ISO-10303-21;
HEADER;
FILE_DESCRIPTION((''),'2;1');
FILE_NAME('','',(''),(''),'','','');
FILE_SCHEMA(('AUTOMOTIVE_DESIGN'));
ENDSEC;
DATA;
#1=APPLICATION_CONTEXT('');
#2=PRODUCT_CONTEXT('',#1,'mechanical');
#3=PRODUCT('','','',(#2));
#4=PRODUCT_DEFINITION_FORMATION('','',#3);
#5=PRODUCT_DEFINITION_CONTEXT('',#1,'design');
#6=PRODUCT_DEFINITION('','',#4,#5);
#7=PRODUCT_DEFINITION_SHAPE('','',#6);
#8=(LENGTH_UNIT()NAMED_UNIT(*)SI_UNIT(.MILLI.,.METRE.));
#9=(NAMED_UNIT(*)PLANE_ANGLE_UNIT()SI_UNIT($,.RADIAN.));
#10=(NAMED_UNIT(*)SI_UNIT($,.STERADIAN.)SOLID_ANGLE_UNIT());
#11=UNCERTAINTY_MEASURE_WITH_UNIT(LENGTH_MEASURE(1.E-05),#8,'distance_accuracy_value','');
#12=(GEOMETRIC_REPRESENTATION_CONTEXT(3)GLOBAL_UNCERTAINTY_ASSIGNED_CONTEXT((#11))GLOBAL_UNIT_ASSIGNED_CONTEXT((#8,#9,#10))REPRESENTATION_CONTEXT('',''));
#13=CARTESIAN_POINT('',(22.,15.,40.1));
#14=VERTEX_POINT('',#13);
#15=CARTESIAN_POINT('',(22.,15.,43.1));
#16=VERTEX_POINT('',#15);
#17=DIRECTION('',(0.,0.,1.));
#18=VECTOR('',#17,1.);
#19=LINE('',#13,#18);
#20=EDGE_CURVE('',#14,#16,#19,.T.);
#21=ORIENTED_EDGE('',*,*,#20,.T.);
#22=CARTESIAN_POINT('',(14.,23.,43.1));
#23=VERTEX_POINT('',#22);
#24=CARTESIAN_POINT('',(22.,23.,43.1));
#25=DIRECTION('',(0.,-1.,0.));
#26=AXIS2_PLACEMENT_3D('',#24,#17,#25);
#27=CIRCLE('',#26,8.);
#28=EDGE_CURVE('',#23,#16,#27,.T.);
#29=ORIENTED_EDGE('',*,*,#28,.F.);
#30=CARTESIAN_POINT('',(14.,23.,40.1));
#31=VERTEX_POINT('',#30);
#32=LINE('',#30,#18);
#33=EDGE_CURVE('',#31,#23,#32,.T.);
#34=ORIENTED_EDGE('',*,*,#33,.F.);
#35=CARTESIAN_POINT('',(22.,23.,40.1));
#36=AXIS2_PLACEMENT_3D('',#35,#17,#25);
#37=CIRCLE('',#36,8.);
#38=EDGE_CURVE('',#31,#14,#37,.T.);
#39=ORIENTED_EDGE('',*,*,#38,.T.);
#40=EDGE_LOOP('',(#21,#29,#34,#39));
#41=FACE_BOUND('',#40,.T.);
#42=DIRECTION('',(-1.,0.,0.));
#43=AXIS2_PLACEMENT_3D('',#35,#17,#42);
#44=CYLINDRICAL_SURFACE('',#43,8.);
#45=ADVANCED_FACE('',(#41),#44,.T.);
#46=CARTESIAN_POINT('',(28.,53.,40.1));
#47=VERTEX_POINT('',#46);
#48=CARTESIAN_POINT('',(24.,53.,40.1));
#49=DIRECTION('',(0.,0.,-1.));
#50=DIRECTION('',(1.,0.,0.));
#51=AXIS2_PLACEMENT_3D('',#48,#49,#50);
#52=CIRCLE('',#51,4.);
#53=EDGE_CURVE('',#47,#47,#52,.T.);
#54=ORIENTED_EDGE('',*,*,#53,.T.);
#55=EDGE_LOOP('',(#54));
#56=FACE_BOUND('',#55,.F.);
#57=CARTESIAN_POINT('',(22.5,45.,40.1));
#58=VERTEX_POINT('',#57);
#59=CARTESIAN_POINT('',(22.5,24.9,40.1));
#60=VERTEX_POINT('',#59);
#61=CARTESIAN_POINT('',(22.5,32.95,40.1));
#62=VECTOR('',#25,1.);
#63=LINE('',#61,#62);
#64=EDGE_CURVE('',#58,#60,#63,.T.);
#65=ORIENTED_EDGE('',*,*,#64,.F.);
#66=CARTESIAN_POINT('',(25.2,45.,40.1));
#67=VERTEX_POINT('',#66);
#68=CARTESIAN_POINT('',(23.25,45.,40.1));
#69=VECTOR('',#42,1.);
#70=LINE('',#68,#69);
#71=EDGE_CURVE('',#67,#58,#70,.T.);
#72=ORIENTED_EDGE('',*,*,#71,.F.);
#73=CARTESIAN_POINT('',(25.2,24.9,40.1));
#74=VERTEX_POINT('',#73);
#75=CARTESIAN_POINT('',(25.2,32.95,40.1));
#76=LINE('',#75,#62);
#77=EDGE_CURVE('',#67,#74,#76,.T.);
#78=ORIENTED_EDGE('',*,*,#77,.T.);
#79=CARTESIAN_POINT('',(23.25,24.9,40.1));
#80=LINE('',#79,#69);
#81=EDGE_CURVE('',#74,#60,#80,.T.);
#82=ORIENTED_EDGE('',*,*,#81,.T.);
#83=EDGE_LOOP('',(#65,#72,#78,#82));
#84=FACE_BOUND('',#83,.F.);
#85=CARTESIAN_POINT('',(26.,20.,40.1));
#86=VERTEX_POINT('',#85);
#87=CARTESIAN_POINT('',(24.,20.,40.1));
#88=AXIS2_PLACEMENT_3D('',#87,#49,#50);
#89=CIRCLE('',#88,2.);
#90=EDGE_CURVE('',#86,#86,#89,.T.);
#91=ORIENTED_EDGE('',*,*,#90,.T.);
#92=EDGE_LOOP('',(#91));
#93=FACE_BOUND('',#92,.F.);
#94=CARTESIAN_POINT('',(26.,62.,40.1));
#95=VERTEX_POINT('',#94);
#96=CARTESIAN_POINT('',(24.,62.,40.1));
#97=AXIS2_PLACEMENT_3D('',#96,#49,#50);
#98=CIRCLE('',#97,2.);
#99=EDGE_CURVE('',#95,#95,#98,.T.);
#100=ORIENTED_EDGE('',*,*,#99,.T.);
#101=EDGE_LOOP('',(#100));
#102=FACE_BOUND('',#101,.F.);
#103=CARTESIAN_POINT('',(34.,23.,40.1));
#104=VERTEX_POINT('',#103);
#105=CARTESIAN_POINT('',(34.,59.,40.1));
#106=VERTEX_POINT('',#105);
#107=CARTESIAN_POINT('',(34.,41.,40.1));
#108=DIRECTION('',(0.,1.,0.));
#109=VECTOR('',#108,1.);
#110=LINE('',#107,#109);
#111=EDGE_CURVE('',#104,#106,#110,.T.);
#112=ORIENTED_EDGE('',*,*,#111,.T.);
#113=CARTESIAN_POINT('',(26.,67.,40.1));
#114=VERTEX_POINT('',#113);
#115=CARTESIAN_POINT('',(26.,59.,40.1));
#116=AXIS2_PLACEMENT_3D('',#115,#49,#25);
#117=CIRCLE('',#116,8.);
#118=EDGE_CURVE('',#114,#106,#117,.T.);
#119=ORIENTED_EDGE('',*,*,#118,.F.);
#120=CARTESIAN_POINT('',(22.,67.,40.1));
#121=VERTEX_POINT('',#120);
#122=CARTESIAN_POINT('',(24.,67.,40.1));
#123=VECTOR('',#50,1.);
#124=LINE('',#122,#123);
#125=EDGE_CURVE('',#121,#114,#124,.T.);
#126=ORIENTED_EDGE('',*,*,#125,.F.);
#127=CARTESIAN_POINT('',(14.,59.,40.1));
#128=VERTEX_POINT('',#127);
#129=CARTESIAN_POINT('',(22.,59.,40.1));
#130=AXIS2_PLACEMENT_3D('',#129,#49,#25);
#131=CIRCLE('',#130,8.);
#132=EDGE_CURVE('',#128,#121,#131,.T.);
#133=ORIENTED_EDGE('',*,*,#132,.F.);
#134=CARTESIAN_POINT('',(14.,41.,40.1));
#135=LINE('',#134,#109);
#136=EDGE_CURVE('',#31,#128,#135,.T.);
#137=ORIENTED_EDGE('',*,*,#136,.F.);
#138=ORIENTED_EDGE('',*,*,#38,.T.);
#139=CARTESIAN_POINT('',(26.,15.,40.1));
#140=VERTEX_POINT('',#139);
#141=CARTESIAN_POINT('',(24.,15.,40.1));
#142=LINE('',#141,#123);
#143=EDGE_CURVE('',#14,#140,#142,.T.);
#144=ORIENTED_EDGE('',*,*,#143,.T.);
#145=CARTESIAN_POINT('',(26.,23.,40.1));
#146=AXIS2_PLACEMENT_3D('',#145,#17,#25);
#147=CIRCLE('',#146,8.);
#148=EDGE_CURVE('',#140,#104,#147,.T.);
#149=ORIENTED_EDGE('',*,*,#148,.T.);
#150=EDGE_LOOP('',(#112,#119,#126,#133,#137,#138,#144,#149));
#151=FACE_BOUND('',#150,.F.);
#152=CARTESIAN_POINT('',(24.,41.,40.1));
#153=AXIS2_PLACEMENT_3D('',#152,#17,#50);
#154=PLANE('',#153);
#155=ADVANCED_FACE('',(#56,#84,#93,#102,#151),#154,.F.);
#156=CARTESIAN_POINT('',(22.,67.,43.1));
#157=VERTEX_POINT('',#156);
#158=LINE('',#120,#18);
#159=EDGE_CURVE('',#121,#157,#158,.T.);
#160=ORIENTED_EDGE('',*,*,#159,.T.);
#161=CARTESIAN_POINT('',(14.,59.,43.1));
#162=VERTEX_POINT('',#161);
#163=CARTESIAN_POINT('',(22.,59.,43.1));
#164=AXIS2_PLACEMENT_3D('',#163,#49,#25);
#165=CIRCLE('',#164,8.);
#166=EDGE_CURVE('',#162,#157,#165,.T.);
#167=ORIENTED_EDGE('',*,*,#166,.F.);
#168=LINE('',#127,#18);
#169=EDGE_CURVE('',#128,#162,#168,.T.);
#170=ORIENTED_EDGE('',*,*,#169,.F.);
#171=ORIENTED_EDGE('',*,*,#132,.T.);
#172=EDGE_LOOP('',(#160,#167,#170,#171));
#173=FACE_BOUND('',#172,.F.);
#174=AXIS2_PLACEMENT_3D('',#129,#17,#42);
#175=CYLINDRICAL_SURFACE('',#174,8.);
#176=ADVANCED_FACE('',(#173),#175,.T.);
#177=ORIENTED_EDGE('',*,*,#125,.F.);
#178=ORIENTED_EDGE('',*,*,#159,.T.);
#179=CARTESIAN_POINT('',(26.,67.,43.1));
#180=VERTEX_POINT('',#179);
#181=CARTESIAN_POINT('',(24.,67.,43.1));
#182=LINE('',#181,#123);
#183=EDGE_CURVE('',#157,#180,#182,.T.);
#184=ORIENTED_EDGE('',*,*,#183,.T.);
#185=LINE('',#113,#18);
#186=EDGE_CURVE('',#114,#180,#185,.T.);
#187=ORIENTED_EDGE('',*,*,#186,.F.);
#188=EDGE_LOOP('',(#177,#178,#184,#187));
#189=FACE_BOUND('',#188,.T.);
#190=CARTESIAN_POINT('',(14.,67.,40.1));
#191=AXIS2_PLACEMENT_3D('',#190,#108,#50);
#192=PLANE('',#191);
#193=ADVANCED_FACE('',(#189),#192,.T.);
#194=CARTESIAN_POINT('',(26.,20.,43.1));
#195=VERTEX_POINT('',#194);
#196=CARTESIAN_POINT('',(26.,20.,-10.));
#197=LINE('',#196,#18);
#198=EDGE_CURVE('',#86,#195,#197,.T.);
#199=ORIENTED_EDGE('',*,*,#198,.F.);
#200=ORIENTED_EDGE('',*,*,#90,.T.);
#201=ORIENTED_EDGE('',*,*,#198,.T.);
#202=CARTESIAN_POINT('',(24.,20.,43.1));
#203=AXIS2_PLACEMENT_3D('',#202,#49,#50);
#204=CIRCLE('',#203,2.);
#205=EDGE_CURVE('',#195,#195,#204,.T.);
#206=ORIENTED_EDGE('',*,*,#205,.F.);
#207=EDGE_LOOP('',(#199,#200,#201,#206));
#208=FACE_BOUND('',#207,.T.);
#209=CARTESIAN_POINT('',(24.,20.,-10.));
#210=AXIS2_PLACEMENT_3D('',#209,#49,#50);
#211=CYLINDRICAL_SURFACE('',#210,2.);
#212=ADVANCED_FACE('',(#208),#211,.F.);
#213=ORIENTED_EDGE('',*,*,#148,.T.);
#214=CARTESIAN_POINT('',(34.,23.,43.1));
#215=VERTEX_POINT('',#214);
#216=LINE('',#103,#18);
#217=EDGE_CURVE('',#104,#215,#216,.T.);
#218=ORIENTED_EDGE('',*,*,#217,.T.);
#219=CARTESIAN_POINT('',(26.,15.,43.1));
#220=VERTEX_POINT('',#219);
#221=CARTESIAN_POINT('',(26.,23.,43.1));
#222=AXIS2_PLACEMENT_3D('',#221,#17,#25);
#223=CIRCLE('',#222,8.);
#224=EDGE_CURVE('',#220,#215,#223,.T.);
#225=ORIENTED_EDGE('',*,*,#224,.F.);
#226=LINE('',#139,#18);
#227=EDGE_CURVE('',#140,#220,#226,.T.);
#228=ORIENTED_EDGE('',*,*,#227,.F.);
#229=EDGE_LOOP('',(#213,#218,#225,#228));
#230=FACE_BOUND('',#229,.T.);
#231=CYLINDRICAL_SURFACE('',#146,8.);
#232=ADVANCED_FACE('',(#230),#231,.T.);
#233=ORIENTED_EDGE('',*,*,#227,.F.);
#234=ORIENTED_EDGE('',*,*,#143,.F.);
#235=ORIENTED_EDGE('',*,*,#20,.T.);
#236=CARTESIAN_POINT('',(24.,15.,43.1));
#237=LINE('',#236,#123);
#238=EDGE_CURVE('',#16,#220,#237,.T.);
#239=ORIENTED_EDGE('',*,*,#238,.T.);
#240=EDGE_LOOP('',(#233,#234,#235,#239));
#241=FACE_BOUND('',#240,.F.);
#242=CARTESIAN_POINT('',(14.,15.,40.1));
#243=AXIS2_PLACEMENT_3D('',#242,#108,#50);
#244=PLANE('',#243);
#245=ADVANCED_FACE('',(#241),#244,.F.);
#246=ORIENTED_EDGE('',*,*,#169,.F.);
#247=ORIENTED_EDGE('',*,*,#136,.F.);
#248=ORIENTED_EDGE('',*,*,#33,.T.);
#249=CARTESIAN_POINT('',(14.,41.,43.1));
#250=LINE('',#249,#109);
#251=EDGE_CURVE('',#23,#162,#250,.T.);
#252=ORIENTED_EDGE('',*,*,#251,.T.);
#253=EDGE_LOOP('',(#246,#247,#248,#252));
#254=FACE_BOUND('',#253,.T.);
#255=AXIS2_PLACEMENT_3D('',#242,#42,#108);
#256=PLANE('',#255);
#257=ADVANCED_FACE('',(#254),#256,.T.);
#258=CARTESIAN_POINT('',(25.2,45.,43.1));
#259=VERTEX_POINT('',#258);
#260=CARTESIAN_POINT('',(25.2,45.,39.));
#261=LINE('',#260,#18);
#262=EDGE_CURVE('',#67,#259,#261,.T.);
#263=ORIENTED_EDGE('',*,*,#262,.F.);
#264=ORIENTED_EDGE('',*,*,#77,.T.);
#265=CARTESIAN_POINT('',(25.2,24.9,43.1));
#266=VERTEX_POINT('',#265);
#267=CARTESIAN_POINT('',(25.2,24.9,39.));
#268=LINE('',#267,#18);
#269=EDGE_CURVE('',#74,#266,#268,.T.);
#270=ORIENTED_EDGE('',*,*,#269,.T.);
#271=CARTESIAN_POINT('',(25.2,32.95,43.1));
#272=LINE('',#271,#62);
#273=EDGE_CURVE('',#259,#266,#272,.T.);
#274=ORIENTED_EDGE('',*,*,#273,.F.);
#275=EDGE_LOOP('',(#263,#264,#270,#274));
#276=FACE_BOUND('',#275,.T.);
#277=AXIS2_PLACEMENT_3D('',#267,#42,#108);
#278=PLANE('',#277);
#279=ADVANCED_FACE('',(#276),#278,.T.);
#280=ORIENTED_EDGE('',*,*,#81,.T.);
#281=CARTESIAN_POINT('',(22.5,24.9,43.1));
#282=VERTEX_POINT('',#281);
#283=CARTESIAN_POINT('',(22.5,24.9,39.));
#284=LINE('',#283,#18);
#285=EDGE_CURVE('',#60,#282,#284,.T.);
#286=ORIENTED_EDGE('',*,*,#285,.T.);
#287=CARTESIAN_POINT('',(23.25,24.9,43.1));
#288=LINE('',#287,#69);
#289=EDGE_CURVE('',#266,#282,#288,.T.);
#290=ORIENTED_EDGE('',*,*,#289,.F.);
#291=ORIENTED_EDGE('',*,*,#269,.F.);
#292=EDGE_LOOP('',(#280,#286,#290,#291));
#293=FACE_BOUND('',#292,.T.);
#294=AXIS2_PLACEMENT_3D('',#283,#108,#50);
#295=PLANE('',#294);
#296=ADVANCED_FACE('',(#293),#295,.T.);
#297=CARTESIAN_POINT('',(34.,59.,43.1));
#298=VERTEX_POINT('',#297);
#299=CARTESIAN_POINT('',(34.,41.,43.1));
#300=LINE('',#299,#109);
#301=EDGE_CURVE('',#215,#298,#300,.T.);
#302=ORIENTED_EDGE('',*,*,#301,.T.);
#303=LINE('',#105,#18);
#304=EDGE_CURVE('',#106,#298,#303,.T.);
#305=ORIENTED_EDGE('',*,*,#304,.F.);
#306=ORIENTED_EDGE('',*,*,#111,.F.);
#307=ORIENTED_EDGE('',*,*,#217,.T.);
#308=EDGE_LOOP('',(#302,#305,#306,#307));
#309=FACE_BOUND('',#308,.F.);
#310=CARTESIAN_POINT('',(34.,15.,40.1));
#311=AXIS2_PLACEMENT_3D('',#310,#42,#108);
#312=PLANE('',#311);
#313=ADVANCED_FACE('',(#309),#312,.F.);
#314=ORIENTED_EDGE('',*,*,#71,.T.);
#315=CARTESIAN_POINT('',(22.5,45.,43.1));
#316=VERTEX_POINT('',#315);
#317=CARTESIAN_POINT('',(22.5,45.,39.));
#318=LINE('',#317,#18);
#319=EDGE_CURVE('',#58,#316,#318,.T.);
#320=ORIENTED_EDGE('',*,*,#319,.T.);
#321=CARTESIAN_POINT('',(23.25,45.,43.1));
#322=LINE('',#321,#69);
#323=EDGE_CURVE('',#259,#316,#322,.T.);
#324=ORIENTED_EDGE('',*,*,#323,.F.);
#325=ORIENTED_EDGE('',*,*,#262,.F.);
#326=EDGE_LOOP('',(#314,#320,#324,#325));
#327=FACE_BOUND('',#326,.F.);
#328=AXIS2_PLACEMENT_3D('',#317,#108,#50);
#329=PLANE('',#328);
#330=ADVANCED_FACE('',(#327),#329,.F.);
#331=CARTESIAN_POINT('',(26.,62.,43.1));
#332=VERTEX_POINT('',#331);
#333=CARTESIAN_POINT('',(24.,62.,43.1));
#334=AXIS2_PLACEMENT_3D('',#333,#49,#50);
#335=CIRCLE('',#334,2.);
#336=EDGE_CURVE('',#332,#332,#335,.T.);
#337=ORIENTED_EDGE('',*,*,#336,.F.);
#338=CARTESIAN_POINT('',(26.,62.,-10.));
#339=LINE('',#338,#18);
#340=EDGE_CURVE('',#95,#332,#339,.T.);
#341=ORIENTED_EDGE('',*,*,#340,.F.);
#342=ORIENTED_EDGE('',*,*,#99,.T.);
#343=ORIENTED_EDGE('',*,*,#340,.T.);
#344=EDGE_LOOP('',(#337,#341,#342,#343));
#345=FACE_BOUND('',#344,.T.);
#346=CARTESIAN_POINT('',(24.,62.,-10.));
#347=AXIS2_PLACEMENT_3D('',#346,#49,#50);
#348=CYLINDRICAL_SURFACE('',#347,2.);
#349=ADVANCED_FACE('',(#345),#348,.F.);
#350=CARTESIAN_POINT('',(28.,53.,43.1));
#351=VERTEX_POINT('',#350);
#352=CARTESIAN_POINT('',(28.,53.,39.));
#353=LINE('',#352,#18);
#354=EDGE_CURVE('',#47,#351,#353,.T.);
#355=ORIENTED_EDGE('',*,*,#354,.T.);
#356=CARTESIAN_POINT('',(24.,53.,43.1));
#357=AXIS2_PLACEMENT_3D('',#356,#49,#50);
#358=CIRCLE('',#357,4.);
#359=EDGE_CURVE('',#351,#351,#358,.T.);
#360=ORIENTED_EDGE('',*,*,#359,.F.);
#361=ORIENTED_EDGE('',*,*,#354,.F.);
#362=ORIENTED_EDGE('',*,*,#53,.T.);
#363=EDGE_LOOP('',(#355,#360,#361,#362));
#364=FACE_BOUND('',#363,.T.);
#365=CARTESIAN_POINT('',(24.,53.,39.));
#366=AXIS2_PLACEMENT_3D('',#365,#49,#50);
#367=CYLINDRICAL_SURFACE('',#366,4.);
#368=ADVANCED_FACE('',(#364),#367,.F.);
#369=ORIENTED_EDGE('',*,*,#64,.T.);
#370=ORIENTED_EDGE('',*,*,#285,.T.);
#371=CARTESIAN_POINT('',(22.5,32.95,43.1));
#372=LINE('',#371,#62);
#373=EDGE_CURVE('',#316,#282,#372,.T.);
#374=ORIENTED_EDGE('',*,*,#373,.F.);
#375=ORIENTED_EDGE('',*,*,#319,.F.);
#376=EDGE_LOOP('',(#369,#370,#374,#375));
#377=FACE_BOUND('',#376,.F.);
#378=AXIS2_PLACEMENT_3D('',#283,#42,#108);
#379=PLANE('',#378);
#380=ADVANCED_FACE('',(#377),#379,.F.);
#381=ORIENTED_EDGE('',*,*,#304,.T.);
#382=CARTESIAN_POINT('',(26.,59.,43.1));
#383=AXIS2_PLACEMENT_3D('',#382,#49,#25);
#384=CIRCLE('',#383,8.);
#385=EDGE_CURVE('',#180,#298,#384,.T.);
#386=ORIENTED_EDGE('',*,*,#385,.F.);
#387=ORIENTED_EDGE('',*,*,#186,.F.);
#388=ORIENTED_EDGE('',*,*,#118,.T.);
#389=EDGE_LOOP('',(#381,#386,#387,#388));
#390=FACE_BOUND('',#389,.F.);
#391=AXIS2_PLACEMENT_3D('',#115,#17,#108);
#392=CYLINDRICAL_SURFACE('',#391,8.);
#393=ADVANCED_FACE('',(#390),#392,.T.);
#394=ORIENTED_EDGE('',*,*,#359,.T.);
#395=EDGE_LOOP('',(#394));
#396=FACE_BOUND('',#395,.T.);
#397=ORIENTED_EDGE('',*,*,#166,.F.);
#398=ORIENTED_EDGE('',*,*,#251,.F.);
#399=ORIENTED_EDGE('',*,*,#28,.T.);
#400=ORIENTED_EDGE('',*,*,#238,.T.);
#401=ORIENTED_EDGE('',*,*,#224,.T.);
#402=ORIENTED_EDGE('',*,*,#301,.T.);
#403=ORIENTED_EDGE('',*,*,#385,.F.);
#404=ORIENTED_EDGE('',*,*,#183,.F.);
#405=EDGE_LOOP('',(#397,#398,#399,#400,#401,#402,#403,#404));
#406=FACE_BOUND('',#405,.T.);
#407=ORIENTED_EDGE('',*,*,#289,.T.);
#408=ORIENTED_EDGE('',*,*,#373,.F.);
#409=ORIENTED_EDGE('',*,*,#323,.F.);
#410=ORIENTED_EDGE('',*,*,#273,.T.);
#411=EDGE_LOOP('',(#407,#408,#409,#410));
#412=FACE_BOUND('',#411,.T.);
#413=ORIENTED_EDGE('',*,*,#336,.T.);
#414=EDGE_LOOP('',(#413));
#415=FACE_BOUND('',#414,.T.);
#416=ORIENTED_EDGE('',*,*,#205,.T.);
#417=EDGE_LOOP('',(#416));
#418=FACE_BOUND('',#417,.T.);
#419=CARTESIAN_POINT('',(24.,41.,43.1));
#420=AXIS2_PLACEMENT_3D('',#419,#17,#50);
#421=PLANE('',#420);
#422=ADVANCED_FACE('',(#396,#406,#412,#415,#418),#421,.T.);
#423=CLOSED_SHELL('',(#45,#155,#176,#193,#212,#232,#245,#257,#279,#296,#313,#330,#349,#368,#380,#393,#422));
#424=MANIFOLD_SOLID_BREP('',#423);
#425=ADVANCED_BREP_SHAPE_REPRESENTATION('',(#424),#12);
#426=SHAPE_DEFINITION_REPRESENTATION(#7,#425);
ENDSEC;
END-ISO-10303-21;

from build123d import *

# Parameters (mm, degrees)
CYLINDER378_R     = 2
CYLINDER378_DEPTH = 70
CYLINDER379_R     = 2
CYLINDER379_DEPTH = 70
CYLINDER377_R     = 4
CYLINDER377_DEPTH = 5
BOX469_W          = 2.7
BOX469_H          = 20.1
BOX469_DEPTH      = 5
BOX468_W          = 20
BOX468_H          = 52
BOX468_DEPTH      = 3
FILLET018_R       = 8


with BuildPart() as cylinder378:
    # Cylinder378 → Cylinder378 (new body)
    with BuildSketch(Plane(origin=(-90, -103, -10), x_dir=(1, 0, 0), z_dir=(0, 0, 1))):
        Circle(CYLINDER378_R)
    extrude(amount=CYLINDER378_DEPTH)


with BuildPart() as fusion371:
    # Cylinder379 → Cylinder379 (new body)
    with BuildSketch(Plane(origin=(-90, -61, -10), x_dir=(1, 0, 0), z_dir=(0, 0, 1))):
        Circle(CYLINDER379_R)
    extrude(amount=CYLINDER379_DEPTH)

    # Fusion371: union Cylinder378
    add(cylinder378.part)


with BuildPart() as fusion371_1:
    # Fusion371 placement: moved
    add(fusion371.part.moved(Location((114, 0, 0))))


with BuildPart() as cylinder377:
    # Cylinder377 → Cylinder377 (new body)
    with BuildSketch(Plane(origin=(24, -70, 39), x_dir=(1, 0, 0), z_dir=(0, 0, 1))):
        Circle(CYLINDER377_R)
    extrude(amount=CYLINDER377_DEPTH)


with BuildPart() as box469:
    # Box469 → Box469 (new body)
    with BuildSketch(Plane(origin=(22.5, -98.1, 39), x_dir=(1, 0, 0), z_dir=(0, 0, 1))):
        with Locations((1.35, 10.05)):
            Rectangle(BOX469_W, BOX469_H)
    extrude(amount=BOX469_DEPTH)


with BuildPart() as cut408:
    # Box468 → Box468 (new body)
    with BuildSketch(Plane(origin=(14, -108, 40.1), x_dir=(1, 0, 0), z_dir=(0, 0, 1))):
        with Locations((10, 26)):
            Rectangle(BOX468_W, BOX468_H)
    extrude(amount=BOX468_DEPTH)

    # Cut406: cut Box469
    add(box469.part, mode=Mode.SUBTRACT)

    # Fillet018
    fillet018_edges = [cut408.edges().sort_by_distance(p)[0] for p in [
        (14, -108, 41.6),
        (14, -56, 41.6),
        (34, -108, 41.6),
        (34, -56, 41.6),
    ]]
    fillet(fillet018_edges, radius=FILLET018_R)

    # Cut407: cut Cylinder377
    add(cylinder377.part, mode=Mode.SUBTRACT)

    # Cut408: cut Fusion371
    add(fusion371_1.part, mode=Mode.SUBTRACT)


with BuildPart() as cut408_1:
    # Cut408 placement: moved
    add(cut408.part.moved(Location((0, 123, 0))))


solid = cut408_1.part
